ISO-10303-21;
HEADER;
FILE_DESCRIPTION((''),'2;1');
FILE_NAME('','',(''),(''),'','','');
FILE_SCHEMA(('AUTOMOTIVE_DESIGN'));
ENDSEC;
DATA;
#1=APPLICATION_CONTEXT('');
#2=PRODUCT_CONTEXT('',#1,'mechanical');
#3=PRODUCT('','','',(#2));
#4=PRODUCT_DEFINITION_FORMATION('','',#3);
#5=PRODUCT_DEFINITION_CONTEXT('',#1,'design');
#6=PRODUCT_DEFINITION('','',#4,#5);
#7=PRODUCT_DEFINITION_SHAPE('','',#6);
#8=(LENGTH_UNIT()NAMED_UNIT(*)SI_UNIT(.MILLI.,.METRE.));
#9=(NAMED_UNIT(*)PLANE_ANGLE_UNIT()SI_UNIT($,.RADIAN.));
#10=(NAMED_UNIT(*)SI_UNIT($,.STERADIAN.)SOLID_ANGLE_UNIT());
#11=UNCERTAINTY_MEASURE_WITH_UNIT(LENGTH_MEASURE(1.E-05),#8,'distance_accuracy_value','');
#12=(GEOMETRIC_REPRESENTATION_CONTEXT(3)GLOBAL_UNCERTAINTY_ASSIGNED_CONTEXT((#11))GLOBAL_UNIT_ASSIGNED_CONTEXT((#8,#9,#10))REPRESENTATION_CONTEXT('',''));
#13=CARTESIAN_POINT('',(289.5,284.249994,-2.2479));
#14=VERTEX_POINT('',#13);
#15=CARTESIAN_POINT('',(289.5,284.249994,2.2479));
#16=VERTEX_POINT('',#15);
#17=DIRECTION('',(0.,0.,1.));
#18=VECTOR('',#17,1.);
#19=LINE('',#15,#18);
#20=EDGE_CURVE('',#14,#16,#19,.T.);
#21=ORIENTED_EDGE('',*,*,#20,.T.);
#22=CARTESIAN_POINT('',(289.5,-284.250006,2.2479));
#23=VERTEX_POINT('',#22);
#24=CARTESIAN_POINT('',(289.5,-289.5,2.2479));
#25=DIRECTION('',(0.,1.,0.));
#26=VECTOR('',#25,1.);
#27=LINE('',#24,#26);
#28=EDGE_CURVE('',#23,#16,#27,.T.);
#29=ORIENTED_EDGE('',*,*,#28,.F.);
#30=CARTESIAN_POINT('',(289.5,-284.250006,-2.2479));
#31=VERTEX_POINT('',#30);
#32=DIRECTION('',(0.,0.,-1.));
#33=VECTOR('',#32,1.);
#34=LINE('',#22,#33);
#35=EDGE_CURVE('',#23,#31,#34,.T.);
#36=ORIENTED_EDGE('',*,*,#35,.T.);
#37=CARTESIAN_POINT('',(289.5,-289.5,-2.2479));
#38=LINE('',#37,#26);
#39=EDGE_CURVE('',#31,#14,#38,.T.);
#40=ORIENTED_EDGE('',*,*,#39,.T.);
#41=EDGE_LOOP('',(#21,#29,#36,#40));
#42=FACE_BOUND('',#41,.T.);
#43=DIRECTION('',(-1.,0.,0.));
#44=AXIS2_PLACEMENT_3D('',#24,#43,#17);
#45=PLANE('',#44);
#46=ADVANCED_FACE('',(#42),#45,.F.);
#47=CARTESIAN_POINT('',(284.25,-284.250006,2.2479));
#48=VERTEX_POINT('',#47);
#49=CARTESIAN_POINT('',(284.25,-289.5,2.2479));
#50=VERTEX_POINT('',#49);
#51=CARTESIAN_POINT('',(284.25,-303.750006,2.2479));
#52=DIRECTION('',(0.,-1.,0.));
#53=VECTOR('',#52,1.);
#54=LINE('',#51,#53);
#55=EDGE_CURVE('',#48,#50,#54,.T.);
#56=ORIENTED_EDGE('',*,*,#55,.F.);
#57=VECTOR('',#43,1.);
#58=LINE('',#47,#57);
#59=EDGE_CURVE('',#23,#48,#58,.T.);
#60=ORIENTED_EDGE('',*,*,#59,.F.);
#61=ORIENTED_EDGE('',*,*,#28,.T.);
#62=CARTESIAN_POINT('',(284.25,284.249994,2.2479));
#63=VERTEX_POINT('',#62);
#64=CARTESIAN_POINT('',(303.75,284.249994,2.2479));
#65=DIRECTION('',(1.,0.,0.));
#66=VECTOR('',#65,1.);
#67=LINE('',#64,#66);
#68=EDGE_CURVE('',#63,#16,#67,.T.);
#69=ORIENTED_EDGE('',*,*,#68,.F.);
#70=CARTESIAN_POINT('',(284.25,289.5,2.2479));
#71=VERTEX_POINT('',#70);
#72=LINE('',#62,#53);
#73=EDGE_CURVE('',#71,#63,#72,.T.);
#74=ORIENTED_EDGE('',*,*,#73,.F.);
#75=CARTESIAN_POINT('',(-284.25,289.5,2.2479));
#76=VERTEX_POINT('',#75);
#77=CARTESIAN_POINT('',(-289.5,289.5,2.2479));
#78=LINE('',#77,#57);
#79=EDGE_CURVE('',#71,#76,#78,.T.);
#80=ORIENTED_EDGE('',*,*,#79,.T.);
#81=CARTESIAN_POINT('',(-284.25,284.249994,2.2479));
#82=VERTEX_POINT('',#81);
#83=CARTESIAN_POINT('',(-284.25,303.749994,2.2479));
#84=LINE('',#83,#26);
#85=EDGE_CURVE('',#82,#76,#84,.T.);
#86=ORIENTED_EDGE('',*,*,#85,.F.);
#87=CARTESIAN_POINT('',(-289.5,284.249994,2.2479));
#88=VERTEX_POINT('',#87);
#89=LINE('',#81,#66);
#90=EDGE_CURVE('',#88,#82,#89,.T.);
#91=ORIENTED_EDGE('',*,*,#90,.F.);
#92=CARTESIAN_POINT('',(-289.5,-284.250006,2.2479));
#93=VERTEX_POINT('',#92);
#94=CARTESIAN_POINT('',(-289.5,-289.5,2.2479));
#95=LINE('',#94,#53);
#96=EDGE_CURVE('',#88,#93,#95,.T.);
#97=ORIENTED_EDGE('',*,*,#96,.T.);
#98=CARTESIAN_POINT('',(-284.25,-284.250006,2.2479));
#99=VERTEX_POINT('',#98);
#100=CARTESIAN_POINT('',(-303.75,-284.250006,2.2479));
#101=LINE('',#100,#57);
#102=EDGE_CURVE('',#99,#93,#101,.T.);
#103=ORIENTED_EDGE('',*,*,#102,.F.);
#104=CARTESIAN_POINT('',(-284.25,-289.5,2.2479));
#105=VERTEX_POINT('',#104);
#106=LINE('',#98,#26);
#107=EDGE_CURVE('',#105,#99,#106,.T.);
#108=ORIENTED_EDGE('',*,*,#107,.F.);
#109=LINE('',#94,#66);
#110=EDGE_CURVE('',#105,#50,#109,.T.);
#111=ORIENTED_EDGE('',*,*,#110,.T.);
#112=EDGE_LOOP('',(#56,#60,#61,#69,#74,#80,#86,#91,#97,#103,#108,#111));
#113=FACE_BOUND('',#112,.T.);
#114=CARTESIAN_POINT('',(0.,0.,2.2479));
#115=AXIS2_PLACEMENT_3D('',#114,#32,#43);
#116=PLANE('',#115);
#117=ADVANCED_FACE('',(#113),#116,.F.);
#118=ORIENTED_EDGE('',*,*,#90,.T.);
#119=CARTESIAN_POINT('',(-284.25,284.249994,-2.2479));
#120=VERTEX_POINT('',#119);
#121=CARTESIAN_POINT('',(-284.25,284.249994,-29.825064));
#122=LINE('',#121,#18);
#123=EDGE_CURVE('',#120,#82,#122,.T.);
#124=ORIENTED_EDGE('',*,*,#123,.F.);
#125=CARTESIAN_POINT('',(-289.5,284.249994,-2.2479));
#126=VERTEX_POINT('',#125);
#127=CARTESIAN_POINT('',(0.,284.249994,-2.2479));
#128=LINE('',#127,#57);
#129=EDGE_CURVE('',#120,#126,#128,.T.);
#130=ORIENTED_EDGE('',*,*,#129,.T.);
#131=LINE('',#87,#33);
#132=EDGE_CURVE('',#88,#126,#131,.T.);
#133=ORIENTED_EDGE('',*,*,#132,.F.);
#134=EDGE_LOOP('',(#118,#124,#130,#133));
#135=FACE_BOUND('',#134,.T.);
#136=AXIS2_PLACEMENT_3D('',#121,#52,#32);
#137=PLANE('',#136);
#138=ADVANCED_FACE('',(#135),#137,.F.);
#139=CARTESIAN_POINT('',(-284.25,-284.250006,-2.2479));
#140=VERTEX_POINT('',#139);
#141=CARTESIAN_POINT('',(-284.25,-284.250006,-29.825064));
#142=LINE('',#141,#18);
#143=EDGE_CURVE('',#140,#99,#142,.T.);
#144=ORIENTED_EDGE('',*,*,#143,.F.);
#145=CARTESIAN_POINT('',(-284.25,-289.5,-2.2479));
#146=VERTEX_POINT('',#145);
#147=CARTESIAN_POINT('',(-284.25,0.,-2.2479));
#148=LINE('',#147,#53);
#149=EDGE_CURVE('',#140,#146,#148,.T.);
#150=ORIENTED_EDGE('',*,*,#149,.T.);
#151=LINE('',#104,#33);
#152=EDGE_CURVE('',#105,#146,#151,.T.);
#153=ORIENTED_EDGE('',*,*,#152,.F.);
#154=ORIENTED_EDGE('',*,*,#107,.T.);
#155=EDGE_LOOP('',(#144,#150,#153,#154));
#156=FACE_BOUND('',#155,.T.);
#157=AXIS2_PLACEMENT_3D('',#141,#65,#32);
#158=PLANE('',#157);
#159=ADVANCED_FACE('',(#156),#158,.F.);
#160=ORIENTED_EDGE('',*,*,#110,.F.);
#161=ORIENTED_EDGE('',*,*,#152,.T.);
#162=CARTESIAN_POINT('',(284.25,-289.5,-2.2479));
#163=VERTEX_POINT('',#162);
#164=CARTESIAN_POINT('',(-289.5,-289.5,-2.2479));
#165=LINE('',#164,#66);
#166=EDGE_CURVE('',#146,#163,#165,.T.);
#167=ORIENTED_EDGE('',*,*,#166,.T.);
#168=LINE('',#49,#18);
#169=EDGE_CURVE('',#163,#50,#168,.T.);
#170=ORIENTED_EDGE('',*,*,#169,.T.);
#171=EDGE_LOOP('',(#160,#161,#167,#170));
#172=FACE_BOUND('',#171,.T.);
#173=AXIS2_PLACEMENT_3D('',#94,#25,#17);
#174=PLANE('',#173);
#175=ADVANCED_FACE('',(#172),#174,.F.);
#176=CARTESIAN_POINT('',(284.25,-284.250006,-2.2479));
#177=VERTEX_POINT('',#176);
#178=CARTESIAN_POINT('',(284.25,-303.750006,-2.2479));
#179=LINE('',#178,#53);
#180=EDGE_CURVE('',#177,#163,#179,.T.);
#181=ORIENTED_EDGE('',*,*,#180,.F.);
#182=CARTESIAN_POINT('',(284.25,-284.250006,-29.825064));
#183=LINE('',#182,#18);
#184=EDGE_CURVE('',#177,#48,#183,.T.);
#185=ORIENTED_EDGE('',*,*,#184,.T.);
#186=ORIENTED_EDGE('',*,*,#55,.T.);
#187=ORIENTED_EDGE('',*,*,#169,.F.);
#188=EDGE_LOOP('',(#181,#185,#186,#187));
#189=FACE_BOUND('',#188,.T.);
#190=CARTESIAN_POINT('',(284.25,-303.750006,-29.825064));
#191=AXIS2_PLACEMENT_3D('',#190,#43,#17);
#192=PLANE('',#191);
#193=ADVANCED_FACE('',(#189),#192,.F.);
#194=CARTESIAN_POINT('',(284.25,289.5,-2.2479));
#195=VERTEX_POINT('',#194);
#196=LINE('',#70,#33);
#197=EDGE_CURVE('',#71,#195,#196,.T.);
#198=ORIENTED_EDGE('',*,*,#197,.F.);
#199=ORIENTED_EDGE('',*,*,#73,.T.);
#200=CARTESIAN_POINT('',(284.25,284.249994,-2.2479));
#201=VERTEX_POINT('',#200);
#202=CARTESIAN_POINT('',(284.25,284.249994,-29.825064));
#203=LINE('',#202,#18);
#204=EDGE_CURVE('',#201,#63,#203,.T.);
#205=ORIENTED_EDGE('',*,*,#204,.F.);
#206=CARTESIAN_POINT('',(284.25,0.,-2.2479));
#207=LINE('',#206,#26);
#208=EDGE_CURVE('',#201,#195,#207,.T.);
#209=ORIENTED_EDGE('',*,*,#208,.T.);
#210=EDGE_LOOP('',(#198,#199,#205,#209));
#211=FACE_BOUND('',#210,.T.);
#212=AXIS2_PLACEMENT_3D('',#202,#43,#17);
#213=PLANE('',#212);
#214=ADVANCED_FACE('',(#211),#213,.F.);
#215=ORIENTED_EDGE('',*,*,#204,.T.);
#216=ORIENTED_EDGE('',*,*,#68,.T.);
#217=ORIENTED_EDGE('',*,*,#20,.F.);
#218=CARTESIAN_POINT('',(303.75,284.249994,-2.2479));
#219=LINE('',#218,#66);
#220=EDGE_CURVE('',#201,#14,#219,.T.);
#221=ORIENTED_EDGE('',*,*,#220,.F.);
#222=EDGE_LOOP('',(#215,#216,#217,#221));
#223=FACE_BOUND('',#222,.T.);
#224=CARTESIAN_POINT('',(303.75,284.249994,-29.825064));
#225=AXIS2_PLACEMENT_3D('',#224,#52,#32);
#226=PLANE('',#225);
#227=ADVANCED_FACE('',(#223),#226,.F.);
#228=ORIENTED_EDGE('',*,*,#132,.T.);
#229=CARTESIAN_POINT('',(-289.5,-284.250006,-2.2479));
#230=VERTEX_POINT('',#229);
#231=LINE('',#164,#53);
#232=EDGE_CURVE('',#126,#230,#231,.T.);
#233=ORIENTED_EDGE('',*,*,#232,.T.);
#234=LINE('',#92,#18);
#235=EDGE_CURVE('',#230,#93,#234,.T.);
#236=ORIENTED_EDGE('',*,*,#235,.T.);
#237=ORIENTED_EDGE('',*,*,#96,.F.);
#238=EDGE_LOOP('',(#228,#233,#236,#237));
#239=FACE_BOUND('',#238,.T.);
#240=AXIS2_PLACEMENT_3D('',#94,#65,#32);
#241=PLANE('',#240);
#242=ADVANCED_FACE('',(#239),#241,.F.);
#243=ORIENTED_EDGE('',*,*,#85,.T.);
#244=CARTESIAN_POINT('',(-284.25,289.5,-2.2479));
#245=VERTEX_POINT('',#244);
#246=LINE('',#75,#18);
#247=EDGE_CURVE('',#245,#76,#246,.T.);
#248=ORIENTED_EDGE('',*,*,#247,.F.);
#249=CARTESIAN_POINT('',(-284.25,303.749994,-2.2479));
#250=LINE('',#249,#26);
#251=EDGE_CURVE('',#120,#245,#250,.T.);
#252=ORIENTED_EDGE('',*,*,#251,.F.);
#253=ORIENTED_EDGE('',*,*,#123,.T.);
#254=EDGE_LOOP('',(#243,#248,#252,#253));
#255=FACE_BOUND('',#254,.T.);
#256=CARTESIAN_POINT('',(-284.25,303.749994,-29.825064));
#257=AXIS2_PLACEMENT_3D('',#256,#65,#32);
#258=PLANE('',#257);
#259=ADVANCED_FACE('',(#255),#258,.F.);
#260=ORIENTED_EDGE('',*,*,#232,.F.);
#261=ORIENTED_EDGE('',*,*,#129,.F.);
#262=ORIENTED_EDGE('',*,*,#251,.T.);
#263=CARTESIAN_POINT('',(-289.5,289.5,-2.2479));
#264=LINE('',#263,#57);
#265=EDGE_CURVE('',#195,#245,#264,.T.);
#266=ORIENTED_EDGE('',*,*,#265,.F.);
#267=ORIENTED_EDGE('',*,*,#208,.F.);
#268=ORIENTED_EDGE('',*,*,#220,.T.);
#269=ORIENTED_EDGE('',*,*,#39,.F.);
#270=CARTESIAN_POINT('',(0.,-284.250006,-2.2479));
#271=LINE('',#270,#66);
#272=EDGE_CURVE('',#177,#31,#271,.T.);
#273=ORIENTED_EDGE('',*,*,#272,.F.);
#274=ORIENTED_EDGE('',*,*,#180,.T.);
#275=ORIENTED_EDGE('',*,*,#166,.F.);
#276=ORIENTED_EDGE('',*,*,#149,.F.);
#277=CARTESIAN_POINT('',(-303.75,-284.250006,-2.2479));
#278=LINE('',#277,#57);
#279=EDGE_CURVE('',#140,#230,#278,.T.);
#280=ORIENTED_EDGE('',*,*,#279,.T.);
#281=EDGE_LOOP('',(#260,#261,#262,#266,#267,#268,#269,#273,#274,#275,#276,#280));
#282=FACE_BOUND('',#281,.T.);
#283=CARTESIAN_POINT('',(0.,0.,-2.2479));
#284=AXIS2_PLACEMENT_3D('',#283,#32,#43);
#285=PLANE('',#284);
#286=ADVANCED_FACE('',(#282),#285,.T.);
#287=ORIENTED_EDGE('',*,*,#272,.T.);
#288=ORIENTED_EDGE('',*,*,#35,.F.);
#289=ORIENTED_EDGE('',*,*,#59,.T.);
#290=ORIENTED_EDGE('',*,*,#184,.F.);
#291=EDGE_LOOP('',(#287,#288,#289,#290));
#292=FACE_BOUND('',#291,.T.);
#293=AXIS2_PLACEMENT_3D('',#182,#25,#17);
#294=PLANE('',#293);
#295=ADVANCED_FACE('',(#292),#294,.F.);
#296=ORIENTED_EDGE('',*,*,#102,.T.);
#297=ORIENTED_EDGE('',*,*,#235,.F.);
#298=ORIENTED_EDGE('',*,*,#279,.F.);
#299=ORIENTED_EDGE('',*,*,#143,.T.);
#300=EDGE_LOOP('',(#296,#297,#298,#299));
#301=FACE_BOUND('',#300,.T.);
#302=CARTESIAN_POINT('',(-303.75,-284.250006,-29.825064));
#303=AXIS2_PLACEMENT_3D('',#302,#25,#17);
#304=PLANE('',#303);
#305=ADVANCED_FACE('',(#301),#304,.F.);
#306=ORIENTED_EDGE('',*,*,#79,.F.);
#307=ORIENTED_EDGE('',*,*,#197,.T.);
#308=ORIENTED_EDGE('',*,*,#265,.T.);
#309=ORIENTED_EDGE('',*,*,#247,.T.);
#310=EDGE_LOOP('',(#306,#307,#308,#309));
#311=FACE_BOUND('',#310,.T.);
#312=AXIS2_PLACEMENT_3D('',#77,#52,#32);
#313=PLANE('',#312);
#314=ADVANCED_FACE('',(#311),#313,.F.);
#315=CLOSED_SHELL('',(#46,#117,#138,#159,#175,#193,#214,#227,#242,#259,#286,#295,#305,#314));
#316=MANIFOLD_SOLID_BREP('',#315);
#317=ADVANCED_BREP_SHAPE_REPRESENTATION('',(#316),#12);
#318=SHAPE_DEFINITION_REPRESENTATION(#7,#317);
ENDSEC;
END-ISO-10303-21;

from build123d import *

# Parameters (mm, degrees)
SKETCH1_W           = 579
SKETCH1_H           = 579
BOSS_EXTRUDE1_DEPTH = 2.2479
CUT_EXTRUDE1_DEPTH  = 4.4958


with BuildPart() as part:
    # Sketch1 → Boss-Extrude1 (new body, symmetric)
    with BuildSketch(Plane.XY):
        Rectangle(SKETCH1_W, SKETCH1_H)
    extrude(amount=BOSS_EXTRUDE1_DEPTH, both=True)

    # Sketch2 → Cut-Extrude1 (cut)
    with BuildSketch(Plane.XY.offset(2.2479)):
        Polygon((-284.25, 303.749993563), (-284.25, 284.249993563), (-303.75, 284.249993563), align=None)
        Polygon((-303.75, -284.250006437), (-284.25, -284.250006437), (-284.25, -303.750006437), align=None)
        Polygon((284.25, -303.750006437), (284.25, -284.250006437), (303.75, -284.250006437), align=None)
        Polygon((303.75, 284.249993563), (284.25, 284.249993563), (284.25, 303.749993563), align=None)
    extrude(amount=-CUT_EXTRUDE1_DEPTH, mode=Mode.SUBTRACT)


solid = part.part
